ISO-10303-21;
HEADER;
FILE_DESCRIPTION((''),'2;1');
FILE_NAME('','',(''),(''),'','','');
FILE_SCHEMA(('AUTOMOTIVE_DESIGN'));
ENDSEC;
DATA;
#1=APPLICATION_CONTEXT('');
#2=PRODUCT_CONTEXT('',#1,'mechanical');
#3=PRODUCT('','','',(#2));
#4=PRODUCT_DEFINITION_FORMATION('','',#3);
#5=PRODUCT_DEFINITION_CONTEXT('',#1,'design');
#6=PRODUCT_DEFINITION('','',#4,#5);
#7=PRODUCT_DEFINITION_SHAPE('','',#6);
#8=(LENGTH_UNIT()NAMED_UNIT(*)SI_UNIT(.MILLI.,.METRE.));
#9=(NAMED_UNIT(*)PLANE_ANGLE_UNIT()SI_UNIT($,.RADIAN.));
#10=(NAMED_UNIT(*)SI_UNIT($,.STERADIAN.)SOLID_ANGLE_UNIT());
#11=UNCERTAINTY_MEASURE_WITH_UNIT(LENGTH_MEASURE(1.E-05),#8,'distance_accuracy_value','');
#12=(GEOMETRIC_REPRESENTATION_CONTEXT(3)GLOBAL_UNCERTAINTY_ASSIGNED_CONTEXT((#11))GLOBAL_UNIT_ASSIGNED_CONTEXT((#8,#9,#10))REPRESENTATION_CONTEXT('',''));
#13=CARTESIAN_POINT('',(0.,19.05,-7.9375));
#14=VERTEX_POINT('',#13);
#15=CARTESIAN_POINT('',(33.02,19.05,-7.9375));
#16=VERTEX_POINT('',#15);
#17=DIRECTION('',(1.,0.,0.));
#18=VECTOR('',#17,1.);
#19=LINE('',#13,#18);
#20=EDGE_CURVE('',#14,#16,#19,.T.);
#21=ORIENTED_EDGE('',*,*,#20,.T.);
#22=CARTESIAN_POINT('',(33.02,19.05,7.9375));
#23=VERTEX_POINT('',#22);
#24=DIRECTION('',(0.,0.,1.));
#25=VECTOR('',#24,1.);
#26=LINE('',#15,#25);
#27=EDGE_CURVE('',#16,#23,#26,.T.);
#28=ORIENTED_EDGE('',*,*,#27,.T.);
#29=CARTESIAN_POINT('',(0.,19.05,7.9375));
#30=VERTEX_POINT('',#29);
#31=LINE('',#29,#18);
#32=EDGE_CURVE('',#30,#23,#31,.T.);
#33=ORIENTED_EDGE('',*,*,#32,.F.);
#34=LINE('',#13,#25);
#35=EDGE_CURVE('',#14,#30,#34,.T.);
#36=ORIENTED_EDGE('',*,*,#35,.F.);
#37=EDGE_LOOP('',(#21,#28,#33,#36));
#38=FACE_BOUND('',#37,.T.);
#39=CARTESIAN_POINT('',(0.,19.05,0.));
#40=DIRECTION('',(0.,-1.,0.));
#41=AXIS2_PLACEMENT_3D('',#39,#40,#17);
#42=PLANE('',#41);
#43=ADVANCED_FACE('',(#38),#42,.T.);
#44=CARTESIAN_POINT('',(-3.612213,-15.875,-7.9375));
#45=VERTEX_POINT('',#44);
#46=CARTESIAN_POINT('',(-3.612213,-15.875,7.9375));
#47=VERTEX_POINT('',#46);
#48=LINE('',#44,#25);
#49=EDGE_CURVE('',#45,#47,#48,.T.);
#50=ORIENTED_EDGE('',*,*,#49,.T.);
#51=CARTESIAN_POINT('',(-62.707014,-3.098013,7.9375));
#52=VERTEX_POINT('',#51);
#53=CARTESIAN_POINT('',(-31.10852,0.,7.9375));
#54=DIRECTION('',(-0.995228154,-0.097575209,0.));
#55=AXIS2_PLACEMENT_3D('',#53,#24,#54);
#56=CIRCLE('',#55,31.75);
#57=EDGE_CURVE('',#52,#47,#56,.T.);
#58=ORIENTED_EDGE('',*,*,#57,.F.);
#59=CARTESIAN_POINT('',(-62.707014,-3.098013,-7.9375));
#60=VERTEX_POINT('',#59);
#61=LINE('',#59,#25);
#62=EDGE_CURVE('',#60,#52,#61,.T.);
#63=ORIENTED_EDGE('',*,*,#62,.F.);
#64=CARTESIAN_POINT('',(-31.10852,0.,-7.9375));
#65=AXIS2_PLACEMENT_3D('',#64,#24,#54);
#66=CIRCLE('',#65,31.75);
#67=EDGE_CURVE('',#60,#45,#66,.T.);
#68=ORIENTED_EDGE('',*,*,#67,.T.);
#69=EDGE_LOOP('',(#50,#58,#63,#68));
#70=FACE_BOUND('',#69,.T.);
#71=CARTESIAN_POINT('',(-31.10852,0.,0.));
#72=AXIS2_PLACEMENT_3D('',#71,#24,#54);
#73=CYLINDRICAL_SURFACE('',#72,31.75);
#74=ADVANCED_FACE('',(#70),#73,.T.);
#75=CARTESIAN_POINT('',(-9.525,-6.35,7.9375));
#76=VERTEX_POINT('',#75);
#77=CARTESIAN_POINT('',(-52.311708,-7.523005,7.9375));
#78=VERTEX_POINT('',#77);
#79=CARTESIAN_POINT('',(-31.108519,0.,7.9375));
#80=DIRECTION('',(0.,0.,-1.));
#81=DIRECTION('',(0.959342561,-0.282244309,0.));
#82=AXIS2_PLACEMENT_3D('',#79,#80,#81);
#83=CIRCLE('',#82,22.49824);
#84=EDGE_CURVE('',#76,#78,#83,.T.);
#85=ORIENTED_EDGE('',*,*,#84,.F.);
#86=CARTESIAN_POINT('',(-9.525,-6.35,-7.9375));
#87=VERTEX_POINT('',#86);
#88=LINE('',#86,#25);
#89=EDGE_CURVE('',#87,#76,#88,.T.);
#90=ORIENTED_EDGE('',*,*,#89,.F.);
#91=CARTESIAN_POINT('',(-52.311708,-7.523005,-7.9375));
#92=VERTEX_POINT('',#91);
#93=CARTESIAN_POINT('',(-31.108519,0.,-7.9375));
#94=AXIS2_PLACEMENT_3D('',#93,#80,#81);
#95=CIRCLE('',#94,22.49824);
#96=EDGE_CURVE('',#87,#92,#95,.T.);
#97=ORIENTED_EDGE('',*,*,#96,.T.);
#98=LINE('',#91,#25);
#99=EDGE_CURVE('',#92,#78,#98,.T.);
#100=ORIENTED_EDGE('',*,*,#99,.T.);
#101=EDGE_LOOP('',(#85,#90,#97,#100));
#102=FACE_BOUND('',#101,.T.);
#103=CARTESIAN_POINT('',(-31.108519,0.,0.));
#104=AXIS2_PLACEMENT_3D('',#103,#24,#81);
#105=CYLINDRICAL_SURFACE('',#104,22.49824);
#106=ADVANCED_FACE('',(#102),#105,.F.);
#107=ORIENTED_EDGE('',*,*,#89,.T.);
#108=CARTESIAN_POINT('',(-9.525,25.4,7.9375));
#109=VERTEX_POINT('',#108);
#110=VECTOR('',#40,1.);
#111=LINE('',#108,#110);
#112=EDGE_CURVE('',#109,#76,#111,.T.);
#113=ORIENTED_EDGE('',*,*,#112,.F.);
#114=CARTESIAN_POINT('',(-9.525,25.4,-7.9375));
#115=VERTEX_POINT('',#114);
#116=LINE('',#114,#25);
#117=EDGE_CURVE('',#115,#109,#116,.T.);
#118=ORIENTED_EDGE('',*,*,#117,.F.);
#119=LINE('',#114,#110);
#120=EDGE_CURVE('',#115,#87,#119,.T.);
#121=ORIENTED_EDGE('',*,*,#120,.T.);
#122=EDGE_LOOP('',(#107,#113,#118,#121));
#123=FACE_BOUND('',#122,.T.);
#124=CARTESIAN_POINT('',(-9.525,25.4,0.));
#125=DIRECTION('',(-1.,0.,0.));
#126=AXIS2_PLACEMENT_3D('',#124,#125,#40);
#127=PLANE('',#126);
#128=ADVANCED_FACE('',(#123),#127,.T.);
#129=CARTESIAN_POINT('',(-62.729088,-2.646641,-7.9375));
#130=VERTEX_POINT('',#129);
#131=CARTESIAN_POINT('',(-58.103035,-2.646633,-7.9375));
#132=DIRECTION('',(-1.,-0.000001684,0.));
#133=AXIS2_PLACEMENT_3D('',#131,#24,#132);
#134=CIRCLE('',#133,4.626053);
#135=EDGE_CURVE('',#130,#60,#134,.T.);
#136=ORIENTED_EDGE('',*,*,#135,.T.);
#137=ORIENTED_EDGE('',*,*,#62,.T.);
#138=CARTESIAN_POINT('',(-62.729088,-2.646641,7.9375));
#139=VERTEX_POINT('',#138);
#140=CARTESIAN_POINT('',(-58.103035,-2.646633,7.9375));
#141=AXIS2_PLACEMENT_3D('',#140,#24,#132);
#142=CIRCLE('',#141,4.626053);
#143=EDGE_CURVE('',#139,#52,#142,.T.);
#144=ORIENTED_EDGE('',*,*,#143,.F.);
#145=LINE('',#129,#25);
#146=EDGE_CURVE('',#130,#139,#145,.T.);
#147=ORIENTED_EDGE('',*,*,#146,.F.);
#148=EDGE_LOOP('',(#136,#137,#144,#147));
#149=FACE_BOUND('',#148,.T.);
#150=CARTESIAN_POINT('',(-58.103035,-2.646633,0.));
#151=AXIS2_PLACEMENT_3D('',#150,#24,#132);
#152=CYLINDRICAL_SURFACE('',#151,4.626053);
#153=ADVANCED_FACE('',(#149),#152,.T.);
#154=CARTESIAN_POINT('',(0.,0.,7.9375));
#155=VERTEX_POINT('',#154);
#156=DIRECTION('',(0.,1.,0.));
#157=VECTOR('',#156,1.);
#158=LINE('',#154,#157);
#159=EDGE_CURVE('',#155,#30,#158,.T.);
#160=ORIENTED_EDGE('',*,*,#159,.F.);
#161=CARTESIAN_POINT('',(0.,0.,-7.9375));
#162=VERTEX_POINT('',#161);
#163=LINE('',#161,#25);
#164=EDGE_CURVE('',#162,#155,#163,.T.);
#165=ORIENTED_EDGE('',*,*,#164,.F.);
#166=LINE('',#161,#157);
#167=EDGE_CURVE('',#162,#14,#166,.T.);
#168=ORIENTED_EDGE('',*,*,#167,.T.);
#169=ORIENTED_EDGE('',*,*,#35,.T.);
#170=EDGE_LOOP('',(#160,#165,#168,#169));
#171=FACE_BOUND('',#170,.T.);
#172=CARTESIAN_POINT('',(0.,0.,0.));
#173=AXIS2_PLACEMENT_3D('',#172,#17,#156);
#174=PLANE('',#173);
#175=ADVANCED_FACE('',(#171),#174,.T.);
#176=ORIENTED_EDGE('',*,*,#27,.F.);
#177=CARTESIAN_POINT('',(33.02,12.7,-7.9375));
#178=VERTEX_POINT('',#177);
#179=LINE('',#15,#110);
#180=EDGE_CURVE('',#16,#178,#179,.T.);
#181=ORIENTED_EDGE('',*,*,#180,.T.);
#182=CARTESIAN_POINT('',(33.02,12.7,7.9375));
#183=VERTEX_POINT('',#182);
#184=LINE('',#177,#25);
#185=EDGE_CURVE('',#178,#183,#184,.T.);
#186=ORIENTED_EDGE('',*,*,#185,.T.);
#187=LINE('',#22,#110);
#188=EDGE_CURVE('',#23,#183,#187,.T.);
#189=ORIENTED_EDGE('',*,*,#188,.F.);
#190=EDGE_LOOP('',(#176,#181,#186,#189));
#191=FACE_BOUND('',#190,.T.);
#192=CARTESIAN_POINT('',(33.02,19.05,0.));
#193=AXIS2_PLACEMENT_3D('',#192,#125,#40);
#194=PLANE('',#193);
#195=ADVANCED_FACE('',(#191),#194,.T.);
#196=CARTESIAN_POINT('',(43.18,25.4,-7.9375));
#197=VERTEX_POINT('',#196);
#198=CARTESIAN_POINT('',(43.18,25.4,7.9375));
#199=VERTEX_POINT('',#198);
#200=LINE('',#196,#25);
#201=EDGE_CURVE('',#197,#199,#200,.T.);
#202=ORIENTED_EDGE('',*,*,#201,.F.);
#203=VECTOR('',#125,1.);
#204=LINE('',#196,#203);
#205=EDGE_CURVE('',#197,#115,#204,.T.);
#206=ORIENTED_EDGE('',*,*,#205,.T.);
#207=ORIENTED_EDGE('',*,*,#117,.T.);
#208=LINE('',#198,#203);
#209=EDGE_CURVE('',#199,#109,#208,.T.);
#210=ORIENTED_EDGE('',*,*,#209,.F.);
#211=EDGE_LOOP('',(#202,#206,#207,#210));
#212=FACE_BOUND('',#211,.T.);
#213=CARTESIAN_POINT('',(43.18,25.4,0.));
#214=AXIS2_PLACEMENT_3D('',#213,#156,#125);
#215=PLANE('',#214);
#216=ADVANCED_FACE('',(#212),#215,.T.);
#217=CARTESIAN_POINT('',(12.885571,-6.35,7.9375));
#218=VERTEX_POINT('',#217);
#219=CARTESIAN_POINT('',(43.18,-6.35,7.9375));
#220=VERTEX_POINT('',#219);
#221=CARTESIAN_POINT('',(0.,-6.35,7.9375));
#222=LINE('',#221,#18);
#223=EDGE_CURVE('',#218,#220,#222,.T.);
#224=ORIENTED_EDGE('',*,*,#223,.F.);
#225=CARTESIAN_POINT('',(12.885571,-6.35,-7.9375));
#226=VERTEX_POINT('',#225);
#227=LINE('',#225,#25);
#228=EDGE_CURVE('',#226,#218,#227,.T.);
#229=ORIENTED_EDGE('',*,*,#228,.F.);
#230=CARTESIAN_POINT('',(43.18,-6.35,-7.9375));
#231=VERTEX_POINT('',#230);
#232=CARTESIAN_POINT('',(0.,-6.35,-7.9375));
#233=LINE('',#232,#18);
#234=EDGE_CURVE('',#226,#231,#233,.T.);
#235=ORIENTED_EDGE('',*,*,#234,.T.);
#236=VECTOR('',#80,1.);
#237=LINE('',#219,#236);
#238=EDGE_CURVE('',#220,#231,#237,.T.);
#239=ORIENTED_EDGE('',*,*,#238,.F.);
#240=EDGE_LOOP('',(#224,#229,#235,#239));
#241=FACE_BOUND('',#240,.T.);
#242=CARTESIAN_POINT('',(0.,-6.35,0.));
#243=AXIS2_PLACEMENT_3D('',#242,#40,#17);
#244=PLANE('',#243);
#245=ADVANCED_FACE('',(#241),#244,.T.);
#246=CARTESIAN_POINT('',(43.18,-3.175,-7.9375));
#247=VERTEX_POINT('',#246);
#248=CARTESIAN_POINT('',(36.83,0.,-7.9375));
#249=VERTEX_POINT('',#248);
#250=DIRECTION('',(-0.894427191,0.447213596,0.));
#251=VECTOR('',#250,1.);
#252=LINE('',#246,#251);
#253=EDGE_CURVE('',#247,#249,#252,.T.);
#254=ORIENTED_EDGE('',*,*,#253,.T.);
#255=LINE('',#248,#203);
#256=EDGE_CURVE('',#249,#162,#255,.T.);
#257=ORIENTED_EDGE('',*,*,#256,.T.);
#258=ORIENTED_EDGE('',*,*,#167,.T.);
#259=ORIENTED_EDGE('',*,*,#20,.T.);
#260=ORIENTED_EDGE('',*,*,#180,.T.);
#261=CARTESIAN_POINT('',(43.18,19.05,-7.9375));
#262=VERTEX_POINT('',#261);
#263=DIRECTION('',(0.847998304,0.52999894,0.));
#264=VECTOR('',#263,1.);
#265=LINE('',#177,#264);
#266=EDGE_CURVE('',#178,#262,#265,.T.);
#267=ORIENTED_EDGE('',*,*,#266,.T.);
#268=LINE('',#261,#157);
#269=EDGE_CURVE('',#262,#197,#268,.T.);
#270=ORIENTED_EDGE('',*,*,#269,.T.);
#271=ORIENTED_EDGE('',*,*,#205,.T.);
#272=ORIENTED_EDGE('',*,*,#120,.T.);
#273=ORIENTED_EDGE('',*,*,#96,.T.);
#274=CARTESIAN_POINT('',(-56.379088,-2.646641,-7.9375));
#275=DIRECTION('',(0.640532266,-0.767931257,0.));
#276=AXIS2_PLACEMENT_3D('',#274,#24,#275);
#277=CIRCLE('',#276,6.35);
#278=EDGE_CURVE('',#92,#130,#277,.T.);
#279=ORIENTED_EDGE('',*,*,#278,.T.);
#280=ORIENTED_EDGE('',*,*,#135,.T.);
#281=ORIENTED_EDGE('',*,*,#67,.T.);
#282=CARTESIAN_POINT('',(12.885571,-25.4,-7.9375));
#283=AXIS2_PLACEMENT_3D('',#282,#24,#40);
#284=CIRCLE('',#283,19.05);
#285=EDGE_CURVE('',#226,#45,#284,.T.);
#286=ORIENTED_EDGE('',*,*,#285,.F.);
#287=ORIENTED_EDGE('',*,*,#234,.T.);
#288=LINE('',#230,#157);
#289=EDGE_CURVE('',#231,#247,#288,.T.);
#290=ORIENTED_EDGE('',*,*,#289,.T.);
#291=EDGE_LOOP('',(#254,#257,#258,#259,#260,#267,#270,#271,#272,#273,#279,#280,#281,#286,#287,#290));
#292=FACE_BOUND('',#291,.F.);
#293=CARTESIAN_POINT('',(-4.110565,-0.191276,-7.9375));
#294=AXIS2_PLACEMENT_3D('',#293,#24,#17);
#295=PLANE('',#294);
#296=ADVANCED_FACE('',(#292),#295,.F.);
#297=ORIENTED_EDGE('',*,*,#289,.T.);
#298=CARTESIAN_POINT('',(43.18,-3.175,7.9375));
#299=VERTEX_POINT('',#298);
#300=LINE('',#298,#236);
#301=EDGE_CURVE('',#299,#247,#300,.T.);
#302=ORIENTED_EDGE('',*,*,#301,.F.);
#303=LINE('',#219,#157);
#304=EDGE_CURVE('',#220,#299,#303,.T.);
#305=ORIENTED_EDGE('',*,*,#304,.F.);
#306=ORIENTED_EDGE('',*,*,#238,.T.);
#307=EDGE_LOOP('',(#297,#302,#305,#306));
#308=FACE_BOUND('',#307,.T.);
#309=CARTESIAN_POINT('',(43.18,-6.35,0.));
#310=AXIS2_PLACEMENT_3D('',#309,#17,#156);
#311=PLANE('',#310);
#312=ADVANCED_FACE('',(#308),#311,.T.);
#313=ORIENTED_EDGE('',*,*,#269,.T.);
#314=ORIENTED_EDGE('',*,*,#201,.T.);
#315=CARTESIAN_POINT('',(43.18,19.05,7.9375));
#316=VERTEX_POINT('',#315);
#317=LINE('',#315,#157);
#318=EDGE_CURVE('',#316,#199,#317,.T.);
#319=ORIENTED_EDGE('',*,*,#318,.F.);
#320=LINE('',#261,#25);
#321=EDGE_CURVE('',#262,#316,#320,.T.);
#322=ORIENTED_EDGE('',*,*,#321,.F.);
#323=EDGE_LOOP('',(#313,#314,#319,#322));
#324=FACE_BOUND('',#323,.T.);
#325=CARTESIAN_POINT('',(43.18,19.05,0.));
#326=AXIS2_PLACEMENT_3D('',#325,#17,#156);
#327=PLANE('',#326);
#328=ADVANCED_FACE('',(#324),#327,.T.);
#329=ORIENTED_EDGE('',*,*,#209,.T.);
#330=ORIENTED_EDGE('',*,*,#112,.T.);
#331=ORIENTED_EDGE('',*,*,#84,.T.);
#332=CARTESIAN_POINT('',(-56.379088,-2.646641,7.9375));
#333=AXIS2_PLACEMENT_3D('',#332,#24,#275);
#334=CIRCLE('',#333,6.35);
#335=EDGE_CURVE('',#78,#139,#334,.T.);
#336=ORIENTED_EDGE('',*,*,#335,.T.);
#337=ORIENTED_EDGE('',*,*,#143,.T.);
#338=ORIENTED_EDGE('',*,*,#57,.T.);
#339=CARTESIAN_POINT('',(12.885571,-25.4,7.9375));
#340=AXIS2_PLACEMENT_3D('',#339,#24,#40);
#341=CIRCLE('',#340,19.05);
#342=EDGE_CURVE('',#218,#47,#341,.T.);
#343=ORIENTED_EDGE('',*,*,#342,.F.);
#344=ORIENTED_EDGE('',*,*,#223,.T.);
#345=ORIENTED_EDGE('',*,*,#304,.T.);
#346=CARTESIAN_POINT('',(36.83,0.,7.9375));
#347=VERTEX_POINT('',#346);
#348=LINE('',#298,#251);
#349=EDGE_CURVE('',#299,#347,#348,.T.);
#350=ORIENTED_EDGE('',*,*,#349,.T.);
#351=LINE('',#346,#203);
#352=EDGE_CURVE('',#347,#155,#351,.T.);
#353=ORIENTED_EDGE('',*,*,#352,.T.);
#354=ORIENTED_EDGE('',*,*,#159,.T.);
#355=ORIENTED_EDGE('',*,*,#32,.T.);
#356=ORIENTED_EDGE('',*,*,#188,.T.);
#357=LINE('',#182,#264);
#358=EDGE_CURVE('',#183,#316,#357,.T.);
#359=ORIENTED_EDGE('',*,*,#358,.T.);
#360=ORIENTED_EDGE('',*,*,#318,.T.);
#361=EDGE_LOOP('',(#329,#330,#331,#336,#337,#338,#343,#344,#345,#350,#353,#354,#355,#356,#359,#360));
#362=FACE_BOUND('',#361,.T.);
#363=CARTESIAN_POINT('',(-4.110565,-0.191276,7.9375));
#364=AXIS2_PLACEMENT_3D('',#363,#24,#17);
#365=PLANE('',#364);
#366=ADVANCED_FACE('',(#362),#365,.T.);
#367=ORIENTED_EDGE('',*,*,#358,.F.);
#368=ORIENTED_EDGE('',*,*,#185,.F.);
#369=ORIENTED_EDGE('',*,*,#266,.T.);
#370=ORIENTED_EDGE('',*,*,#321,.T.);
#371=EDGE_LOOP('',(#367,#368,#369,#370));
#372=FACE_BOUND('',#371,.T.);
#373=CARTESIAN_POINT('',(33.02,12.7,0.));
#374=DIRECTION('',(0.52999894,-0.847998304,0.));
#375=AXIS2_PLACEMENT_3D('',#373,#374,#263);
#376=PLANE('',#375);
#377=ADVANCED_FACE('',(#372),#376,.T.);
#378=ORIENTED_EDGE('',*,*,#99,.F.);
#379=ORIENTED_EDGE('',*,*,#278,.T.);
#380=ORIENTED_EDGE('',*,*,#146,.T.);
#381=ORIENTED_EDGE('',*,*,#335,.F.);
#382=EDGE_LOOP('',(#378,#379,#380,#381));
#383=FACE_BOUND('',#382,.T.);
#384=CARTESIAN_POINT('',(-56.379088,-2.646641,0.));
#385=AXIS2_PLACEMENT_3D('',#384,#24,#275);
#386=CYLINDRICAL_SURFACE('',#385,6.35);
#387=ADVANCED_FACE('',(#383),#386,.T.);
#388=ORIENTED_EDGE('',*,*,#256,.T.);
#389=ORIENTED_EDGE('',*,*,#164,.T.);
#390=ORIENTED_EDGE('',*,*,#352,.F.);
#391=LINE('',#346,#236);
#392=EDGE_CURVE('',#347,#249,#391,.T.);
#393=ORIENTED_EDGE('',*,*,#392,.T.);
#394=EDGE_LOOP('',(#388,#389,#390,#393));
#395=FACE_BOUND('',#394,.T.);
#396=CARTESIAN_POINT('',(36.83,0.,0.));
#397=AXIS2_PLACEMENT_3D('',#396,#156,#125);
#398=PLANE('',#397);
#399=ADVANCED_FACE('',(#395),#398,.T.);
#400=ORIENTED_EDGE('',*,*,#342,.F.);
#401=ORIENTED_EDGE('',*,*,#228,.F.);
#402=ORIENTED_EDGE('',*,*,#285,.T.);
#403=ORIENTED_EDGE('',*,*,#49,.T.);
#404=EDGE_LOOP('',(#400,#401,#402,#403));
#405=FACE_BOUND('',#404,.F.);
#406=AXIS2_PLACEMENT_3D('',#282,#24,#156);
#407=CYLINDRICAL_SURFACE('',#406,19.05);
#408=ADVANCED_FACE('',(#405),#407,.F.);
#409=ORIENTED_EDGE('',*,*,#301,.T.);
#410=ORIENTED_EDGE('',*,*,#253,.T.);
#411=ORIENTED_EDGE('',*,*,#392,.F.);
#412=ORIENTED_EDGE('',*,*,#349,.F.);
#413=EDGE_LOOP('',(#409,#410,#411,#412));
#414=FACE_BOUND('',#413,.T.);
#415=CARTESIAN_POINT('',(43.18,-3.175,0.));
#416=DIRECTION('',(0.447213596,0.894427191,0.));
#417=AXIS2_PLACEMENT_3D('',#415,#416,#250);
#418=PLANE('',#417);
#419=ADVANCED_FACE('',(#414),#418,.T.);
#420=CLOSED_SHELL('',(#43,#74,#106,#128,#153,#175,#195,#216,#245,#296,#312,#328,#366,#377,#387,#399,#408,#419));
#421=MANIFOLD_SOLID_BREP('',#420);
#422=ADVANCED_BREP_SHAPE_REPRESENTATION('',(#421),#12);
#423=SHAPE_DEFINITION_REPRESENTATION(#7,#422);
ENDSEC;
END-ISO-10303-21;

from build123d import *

# Parameters (mm, degrees)
F0_DEPTH = 7.9375
F1_R     = 19.05


with BuildPart() as f0:
    # F2 (on Top) → F0 (new body, symmetric)
    with BuildSketch(Plane.XY):
        with BuildLine():
            Line((36.83, 0), (0, 0))
            Line((0, 0), (0, 19.05))
            Line((0, 19.05), (33.02, 19.05))
            Line((33.02, 19.05), (33.02, 12.7))
            Line((33.02, 12.7), (43.18, 19.05))
            Line((43.18, 19.05), (43.18, 25.4))
            Line((43.18, 25.4), (-9.525, 25.4))
            Line((-9.525, 25.4), (-9.525, -6.35))
            ThreePointArc((-9.525, -6.35), (-30.491958, -22.48979), (-52.311708, -7.523005))
            ThreePointArc((-52.311708, -7.523005), (-53.687003, 3.104461), (-62.729088, -2.646641))
            ThreePointArc((-62.729088, -2.646641), (-62.723566, -2.872597), (-62.707014, -3.098013))
            ThreePointArc((-62.707014, -3.098013), (-32.752866, -31.707391), (0, -6.35))
            Line((0, -6.35), (43.18, -6.35))
            Line((43.18, -6.35), (43.18, -3.175))
            Line((43.18, -3.175), (36.83, 0))
        make_face()
    extrude(amount=F0_DEPTH, both=True)

    # F1
    f1_edges = [f0.edges().sort_by_distance(p)[0] for p in [
        (0, -6.35, 0),
    ]]
    fillet(f1_edges, radius=F1_R)


solid = f0.part
